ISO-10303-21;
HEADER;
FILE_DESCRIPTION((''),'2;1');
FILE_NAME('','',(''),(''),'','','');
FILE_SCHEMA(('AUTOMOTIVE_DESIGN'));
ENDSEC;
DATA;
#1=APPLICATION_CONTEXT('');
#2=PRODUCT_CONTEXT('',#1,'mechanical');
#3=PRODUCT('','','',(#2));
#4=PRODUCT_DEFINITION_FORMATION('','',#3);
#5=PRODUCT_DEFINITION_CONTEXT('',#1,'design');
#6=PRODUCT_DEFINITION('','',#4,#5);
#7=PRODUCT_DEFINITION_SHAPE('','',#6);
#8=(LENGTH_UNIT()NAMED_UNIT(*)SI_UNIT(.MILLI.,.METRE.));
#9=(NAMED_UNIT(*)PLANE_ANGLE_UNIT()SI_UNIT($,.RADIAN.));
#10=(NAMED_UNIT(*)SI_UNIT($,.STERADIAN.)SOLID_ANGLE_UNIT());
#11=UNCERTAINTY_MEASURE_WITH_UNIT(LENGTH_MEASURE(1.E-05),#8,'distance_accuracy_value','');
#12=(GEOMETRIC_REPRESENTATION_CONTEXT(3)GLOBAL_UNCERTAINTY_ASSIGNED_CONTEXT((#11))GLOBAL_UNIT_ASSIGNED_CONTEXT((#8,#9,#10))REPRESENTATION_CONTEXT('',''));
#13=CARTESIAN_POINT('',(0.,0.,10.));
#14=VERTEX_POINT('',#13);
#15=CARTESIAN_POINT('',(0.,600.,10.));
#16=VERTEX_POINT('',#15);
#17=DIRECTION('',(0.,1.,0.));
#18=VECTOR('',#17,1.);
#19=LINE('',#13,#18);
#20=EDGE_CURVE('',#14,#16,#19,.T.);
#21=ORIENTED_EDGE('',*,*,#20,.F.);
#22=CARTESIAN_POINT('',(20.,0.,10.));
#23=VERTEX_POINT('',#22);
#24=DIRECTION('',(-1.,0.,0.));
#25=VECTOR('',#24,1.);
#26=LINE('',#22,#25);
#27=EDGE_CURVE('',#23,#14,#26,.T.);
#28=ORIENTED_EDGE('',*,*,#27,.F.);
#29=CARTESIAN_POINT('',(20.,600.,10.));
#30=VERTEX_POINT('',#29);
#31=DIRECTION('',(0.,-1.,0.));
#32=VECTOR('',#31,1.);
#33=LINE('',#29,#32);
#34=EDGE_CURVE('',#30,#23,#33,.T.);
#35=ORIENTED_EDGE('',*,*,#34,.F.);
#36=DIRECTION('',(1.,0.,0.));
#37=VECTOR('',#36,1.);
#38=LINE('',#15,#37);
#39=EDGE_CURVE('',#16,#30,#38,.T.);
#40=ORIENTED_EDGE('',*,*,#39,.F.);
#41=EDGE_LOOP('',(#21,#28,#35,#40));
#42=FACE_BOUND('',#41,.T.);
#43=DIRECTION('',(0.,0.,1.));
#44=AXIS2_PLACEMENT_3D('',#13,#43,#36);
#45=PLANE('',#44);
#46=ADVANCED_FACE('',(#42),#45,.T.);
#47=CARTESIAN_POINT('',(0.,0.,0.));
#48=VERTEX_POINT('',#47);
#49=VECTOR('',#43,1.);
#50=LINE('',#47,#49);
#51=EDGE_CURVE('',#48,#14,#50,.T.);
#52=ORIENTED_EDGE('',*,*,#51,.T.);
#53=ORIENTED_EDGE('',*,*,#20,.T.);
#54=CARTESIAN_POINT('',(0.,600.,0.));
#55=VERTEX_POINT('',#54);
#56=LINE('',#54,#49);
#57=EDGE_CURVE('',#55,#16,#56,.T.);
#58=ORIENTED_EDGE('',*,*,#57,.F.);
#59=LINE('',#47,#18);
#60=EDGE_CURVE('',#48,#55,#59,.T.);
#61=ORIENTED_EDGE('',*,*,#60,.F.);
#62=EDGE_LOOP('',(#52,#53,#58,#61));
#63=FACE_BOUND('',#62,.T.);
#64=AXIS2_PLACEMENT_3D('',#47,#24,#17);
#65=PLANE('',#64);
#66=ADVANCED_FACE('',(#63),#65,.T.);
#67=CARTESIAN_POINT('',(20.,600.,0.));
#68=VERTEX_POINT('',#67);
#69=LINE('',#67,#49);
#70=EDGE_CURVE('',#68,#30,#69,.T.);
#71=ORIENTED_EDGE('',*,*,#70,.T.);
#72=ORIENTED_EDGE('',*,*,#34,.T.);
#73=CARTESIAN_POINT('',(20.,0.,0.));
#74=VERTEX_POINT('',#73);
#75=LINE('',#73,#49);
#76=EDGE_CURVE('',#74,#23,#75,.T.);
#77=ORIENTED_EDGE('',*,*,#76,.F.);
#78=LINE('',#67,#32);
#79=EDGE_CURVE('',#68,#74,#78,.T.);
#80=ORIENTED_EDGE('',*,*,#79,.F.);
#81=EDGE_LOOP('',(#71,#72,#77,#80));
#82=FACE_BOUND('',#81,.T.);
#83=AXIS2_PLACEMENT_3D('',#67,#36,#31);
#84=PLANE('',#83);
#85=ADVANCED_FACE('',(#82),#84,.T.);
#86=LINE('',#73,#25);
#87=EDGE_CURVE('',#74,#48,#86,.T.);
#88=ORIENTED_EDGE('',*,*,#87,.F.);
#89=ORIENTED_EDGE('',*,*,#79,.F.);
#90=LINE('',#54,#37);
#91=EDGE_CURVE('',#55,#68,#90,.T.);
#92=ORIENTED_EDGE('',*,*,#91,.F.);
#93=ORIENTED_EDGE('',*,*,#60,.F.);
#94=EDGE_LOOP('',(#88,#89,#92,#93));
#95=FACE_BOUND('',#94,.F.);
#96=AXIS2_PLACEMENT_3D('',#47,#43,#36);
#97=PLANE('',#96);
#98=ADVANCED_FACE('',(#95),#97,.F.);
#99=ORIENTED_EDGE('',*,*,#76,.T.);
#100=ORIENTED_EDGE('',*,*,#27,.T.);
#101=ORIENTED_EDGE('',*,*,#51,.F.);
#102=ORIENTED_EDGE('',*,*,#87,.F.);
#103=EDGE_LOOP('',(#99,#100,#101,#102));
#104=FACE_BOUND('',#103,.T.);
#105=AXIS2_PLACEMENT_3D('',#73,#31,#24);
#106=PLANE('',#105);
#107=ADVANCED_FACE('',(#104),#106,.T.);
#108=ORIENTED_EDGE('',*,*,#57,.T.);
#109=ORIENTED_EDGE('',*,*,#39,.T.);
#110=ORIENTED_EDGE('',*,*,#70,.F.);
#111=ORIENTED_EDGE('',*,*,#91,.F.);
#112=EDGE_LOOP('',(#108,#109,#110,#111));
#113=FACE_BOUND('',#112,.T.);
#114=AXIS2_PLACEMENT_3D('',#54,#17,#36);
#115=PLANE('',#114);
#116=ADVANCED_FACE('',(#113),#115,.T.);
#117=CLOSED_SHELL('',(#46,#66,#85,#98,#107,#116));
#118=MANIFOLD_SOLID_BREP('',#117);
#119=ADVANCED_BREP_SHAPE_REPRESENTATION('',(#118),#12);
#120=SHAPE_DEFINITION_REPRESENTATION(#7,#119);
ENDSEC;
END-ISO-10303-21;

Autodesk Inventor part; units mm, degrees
ref_plane "YZ Plane" through (0, 0, 0) normal (1, 0, 0) x (0, 1, 0)
ref_plane "XZ Plane" through (0, 0, 0) normal (0, 1, 0) x (-1, 0, 0)
ref_plane "XY Plane" through (0, 0, 0) normal (0, 0, 1) x (1, 0, 0)
sketch "Boceto1" plane through (0, 0, 0) normal (0, 0, 1) x (1, 0, 0)
  line L0 (0, 0) -> (0, 600)
  line L1 (0, 600) -> (20, 600)
  line L2 (20, 600) -> (20, 0)
  line L3 (20, 0) -> (0, 0)
  dimension "d0" = 600
  dimension "d1" = 20
  dimension "d2" = 600
  dimension "d3" = 20
extrude "Extrusión1" add sketch "Boceto1" along normal blind 10
